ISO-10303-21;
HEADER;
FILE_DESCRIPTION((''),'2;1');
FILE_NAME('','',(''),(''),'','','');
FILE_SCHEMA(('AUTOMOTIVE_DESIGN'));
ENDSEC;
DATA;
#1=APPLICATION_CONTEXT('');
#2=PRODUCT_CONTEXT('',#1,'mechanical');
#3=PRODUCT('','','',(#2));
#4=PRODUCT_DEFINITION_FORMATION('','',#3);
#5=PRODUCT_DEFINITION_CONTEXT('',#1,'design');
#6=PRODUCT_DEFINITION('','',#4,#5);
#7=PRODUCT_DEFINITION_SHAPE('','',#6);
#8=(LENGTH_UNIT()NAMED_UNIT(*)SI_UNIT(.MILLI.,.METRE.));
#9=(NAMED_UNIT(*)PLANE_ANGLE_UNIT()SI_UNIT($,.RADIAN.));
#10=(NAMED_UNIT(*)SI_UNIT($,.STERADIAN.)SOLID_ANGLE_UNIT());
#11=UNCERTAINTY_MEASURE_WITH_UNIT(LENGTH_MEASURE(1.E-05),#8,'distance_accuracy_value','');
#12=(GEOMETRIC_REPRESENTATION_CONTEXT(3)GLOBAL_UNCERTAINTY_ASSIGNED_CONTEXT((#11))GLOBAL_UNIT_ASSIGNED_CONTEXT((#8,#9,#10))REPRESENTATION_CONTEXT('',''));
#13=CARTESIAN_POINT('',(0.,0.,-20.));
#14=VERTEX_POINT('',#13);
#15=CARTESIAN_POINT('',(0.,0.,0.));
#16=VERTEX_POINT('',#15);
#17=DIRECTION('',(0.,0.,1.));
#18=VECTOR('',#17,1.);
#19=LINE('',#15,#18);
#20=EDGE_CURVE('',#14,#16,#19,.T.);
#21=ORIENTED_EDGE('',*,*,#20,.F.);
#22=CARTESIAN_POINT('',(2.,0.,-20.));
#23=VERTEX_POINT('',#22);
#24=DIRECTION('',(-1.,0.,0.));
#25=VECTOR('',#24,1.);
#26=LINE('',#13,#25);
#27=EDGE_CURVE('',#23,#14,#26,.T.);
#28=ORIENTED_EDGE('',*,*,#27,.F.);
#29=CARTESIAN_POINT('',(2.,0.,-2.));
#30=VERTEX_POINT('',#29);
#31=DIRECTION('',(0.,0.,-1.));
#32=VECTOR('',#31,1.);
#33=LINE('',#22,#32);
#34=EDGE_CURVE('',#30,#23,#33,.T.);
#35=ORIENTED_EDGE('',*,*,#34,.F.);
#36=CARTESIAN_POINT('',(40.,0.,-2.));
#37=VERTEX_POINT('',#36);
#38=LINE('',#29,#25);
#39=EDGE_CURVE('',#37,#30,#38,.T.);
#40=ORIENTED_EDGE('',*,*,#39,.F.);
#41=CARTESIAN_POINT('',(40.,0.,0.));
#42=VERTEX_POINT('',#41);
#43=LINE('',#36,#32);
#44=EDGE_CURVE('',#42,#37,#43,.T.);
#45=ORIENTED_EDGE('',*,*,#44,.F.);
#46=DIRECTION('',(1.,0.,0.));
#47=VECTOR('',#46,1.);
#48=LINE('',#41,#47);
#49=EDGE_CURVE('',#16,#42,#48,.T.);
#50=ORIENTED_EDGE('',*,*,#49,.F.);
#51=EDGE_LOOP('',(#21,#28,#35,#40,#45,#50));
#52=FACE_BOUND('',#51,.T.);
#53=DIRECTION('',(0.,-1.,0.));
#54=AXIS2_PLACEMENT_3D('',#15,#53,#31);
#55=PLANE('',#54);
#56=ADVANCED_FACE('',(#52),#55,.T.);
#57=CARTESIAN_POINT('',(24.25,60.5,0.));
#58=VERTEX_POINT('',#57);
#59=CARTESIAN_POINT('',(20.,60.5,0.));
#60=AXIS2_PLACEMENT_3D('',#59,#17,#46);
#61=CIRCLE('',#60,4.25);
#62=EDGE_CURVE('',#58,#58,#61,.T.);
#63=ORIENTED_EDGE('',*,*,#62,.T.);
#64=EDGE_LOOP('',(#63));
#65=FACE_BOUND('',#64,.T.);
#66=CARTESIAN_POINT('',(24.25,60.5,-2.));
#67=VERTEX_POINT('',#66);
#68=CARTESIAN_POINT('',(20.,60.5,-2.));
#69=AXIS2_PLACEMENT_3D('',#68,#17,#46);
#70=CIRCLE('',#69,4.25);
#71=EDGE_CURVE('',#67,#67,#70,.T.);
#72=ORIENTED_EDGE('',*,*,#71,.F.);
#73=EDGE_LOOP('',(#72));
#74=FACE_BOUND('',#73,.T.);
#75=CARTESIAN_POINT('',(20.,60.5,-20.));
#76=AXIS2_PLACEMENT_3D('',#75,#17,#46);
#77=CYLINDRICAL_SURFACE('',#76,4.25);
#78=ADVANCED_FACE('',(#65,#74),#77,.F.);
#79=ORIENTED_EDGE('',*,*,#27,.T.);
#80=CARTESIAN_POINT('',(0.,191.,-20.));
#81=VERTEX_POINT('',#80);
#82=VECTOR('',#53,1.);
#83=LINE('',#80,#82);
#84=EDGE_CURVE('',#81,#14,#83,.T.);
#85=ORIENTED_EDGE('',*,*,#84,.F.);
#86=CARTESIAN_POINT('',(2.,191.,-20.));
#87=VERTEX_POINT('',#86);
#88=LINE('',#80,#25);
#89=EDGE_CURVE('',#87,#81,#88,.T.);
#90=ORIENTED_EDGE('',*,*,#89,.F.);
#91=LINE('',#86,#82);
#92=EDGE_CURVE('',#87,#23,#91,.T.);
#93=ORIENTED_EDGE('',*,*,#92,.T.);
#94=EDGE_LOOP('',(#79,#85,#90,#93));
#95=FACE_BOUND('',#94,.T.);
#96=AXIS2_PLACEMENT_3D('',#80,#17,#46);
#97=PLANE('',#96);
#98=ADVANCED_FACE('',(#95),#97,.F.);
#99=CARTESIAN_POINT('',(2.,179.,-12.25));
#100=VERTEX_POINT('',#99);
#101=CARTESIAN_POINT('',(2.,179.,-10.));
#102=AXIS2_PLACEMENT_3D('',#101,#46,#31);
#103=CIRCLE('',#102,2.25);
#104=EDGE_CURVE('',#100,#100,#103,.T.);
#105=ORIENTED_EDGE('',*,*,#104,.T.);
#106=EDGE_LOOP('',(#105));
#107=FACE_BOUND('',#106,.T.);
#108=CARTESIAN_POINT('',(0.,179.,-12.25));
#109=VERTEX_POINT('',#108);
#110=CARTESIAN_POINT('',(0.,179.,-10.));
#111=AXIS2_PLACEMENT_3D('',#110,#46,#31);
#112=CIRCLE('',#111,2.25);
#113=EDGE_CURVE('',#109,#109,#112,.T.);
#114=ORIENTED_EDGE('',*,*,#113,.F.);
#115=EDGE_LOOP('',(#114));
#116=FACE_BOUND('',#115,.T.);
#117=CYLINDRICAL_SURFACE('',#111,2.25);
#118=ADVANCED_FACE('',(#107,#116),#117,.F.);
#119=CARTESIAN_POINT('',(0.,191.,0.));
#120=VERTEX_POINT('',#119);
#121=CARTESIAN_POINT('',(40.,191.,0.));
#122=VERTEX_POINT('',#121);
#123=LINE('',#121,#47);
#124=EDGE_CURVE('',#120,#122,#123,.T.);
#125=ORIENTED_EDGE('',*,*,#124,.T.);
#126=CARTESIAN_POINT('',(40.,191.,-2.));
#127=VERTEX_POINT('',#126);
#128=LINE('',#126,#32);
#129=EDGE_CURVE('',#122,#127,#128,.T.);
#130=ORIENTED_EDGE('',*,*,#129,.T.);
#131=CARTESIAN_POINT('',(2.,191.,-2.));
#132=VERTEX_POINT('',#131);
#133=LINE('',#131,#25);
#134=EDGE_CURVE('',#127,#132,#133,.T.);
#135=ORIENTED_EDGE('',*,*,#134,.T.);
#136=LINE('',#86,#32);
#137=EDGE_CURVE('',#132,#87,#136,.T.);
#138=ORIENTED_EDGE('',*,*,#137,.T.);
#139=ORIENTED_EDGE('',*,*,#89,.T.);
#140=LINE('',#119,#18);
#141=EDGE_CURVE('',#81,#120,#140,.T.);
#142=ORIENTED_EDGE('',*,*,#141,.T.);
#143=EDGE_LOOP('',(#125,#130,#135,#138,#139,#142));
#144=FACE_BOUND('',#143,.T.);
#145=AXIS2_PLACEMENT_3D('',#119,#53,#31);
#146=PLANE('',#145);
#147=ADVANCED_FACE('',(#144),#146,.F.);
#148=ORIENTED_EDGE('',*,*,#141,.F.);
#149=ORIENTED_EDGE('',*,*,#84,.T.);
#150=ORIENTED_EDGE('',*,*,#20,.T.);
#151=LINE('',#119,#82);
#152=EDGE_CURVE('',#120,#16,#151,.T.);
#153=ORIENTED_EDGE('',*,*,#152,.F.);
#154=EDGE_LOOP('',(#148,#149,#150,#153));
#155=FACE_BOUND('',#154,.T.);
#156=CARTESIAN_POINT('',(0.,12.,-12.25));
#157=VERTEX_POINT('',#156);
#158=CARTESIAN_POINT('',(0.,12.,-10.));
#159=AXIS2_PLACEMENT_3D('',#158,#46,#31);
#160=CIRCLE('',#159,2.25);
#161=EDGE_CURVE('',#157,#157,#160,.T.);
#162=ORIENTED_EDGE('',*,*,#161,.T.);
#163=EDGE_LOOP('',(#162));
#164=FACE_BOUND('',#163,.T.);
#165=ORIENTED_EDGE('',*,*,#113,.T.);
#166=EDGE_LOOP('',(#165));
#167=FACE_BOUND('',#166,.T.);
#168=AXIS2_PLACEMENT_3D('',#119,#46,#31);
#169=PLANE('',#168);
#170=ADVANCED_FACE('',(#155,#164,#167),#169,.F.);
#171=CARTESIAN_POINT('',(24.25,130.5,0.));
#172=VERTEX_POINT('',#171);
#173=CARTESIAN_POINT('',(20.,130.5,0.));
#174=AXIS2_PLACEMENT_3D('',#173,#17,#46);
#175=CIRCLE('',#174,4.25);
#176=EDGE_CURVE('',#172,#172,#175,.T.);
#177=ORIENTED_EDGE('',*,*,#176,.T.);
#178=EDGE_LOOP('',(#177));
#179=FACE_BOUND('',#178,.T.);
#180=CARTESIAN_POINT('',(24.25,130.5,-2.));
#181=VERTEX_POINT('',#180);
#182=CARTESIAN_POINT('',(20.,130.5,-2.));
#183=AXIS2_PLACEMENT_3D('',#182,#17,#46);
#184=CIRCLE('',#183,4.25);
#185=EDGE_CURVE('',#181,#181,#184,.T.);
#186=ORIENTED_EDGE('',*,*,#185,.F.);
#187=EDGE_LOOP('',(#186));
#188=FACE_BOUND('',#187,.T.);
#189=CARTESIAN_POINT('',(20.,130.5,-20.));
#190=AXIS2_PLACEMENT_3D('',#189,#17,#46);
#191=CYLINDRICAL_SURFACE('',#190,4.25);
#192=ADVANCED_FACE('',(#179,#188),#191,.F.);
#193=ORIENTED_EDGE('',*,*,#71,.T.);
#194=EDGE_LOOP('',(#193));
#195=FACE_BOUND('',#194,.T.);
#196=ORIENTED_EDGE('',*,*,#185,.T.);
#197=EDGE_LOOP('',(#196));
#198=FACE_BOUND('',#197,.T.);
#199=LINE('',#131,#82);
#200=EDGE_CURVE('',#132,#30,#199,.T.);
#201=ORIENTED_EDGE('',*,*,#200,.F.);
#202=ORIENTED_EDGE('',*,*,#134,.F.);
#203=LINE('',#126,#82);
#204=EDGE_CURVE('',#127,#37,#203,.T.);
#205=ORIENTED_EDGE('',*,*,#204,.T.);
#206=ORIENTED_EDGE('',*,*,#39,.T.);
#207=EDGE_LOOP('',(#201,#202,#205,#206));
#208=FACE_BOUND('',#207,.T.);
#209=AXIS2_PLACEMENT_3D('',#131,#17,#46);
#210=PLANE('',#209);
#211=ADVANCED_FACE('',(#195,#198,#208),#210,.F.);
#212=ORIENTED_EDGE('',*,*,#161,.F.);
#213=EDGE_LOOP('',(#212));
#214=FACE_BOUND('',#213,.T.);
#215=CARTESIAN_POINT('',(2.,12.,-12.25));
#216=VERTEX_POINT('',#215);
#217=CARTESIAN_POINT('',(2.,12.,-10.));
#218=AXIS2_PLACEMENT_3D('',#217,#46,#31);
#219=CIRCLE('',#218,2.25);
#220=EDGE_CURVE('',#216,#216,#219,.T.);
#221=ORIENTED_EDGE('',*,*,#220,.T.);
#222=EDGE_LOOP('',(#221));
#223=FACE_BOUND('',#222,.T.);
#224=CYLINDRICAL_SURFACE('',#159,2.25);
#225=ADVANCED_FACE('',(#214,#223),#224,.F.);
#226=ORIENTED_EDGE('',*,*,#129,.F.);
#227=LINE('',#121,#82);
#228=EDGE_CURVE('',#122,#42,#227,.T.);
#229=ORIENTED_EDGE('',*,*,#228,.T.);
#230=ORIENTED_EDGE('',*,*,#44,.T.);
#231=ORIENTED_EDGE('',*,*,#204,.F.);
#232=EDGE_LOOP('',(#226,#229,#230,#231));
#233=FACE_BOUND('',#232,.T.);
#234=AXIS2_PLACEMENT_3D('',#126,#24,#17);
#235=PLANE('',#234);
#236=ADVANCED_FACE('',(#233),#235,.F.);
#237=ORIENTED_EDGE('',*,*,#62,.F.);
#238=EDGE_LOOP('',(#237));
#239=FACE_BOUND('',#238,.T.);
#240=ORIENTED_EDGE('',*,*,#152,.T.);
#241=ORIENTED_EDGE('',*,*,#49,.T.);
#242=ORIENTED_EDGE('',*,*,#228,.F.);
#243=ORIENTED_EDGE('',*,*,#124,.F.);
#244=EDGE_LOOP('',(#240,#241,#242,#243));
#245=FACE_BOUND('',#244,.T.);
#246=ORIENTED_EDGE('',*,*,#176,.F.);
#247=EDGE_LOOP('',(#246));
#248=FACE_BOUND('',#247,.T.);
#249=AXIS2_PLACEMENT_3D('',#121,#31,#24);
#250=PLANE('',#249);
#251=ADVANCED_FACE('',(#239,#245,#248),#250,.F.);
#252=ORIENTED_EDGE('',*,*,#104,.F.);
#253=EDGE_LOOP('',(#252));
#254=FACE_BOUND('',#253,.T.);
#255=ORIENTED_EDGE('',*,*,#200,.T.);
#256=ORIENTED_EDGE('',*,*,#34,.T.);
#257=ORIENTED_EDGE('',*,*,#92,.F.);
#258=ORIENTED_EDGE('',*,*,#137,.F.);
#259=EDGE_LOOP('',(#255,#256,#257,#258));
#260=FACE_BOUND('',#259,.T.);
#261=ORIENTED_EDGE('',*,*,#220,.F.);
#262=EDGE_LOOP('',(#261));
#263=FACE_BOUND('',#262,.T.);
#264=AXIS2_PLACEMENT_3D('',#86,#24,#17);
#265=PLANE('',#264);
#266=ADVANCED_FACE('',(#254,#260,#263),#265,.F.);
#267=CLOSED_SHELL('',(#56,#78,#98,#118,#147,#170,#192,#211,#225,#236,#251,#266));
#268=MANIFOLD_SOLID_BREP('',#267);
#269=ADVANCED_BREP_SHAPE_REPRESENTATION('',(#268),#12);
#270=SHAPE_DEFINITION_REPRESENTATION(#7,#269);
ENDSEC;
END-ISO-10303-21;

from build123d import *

# Parameters (mm, degrees)
EXTRUDE_1_DEPTH     = 191
SKETCH_2_R          = 4.25
CUT_EXTRUDE_1_DEPTH = 21
SKETCH_3_R          = 2.25
CUT_EXTRUDE_2_DEPTH = 3


with BuildPart() as part:
    # Эскиз1 → Бобышка-Вытянуть1 (new body)
    with BuildSketch(Plane(origin=(0, 0, 0), x_dir=(1, 0, 0), z_dir=(0, 1, 0))):
        Polygon((0, 0), (0, 20), (2, 20), (2, 2), (40, 2), (40, 0), align=None)
    extrude(amount=EXTRUDE_1_DEPTH)

    # Эскиз2 → Вырез-Вытянуть1 (cut, through all)
    with BuildSketch(Plane.XY):
        with Locations((20, 130.5)):
            Circle(SKETCH_2_R)
        with Locations((20, 60.5)):
            Circle(SKETCH_2_R)
    extrude(amount=-CUT_EXTRUDE_1_DEPTH, mode=Mode.SUBTRACT)

    # Эскиз3 → Вырез-Вытянуть2 (cut, through all)
    with BuildSketch(Plane(origin=(2, 0, 0), x_dir=(0, 0, -1), z_dir=(1, 0, 0))):
        with Locations((10, 12)):
            Circle(SKETCH_3_R)
        with Locations((10, 179)):
            Circle(SKETCH_3_R)
    extrude(amount=-CUT_EXTRUDE_2_DEPTH, mode=Mode.SUBTRACT)


solid = part.part
